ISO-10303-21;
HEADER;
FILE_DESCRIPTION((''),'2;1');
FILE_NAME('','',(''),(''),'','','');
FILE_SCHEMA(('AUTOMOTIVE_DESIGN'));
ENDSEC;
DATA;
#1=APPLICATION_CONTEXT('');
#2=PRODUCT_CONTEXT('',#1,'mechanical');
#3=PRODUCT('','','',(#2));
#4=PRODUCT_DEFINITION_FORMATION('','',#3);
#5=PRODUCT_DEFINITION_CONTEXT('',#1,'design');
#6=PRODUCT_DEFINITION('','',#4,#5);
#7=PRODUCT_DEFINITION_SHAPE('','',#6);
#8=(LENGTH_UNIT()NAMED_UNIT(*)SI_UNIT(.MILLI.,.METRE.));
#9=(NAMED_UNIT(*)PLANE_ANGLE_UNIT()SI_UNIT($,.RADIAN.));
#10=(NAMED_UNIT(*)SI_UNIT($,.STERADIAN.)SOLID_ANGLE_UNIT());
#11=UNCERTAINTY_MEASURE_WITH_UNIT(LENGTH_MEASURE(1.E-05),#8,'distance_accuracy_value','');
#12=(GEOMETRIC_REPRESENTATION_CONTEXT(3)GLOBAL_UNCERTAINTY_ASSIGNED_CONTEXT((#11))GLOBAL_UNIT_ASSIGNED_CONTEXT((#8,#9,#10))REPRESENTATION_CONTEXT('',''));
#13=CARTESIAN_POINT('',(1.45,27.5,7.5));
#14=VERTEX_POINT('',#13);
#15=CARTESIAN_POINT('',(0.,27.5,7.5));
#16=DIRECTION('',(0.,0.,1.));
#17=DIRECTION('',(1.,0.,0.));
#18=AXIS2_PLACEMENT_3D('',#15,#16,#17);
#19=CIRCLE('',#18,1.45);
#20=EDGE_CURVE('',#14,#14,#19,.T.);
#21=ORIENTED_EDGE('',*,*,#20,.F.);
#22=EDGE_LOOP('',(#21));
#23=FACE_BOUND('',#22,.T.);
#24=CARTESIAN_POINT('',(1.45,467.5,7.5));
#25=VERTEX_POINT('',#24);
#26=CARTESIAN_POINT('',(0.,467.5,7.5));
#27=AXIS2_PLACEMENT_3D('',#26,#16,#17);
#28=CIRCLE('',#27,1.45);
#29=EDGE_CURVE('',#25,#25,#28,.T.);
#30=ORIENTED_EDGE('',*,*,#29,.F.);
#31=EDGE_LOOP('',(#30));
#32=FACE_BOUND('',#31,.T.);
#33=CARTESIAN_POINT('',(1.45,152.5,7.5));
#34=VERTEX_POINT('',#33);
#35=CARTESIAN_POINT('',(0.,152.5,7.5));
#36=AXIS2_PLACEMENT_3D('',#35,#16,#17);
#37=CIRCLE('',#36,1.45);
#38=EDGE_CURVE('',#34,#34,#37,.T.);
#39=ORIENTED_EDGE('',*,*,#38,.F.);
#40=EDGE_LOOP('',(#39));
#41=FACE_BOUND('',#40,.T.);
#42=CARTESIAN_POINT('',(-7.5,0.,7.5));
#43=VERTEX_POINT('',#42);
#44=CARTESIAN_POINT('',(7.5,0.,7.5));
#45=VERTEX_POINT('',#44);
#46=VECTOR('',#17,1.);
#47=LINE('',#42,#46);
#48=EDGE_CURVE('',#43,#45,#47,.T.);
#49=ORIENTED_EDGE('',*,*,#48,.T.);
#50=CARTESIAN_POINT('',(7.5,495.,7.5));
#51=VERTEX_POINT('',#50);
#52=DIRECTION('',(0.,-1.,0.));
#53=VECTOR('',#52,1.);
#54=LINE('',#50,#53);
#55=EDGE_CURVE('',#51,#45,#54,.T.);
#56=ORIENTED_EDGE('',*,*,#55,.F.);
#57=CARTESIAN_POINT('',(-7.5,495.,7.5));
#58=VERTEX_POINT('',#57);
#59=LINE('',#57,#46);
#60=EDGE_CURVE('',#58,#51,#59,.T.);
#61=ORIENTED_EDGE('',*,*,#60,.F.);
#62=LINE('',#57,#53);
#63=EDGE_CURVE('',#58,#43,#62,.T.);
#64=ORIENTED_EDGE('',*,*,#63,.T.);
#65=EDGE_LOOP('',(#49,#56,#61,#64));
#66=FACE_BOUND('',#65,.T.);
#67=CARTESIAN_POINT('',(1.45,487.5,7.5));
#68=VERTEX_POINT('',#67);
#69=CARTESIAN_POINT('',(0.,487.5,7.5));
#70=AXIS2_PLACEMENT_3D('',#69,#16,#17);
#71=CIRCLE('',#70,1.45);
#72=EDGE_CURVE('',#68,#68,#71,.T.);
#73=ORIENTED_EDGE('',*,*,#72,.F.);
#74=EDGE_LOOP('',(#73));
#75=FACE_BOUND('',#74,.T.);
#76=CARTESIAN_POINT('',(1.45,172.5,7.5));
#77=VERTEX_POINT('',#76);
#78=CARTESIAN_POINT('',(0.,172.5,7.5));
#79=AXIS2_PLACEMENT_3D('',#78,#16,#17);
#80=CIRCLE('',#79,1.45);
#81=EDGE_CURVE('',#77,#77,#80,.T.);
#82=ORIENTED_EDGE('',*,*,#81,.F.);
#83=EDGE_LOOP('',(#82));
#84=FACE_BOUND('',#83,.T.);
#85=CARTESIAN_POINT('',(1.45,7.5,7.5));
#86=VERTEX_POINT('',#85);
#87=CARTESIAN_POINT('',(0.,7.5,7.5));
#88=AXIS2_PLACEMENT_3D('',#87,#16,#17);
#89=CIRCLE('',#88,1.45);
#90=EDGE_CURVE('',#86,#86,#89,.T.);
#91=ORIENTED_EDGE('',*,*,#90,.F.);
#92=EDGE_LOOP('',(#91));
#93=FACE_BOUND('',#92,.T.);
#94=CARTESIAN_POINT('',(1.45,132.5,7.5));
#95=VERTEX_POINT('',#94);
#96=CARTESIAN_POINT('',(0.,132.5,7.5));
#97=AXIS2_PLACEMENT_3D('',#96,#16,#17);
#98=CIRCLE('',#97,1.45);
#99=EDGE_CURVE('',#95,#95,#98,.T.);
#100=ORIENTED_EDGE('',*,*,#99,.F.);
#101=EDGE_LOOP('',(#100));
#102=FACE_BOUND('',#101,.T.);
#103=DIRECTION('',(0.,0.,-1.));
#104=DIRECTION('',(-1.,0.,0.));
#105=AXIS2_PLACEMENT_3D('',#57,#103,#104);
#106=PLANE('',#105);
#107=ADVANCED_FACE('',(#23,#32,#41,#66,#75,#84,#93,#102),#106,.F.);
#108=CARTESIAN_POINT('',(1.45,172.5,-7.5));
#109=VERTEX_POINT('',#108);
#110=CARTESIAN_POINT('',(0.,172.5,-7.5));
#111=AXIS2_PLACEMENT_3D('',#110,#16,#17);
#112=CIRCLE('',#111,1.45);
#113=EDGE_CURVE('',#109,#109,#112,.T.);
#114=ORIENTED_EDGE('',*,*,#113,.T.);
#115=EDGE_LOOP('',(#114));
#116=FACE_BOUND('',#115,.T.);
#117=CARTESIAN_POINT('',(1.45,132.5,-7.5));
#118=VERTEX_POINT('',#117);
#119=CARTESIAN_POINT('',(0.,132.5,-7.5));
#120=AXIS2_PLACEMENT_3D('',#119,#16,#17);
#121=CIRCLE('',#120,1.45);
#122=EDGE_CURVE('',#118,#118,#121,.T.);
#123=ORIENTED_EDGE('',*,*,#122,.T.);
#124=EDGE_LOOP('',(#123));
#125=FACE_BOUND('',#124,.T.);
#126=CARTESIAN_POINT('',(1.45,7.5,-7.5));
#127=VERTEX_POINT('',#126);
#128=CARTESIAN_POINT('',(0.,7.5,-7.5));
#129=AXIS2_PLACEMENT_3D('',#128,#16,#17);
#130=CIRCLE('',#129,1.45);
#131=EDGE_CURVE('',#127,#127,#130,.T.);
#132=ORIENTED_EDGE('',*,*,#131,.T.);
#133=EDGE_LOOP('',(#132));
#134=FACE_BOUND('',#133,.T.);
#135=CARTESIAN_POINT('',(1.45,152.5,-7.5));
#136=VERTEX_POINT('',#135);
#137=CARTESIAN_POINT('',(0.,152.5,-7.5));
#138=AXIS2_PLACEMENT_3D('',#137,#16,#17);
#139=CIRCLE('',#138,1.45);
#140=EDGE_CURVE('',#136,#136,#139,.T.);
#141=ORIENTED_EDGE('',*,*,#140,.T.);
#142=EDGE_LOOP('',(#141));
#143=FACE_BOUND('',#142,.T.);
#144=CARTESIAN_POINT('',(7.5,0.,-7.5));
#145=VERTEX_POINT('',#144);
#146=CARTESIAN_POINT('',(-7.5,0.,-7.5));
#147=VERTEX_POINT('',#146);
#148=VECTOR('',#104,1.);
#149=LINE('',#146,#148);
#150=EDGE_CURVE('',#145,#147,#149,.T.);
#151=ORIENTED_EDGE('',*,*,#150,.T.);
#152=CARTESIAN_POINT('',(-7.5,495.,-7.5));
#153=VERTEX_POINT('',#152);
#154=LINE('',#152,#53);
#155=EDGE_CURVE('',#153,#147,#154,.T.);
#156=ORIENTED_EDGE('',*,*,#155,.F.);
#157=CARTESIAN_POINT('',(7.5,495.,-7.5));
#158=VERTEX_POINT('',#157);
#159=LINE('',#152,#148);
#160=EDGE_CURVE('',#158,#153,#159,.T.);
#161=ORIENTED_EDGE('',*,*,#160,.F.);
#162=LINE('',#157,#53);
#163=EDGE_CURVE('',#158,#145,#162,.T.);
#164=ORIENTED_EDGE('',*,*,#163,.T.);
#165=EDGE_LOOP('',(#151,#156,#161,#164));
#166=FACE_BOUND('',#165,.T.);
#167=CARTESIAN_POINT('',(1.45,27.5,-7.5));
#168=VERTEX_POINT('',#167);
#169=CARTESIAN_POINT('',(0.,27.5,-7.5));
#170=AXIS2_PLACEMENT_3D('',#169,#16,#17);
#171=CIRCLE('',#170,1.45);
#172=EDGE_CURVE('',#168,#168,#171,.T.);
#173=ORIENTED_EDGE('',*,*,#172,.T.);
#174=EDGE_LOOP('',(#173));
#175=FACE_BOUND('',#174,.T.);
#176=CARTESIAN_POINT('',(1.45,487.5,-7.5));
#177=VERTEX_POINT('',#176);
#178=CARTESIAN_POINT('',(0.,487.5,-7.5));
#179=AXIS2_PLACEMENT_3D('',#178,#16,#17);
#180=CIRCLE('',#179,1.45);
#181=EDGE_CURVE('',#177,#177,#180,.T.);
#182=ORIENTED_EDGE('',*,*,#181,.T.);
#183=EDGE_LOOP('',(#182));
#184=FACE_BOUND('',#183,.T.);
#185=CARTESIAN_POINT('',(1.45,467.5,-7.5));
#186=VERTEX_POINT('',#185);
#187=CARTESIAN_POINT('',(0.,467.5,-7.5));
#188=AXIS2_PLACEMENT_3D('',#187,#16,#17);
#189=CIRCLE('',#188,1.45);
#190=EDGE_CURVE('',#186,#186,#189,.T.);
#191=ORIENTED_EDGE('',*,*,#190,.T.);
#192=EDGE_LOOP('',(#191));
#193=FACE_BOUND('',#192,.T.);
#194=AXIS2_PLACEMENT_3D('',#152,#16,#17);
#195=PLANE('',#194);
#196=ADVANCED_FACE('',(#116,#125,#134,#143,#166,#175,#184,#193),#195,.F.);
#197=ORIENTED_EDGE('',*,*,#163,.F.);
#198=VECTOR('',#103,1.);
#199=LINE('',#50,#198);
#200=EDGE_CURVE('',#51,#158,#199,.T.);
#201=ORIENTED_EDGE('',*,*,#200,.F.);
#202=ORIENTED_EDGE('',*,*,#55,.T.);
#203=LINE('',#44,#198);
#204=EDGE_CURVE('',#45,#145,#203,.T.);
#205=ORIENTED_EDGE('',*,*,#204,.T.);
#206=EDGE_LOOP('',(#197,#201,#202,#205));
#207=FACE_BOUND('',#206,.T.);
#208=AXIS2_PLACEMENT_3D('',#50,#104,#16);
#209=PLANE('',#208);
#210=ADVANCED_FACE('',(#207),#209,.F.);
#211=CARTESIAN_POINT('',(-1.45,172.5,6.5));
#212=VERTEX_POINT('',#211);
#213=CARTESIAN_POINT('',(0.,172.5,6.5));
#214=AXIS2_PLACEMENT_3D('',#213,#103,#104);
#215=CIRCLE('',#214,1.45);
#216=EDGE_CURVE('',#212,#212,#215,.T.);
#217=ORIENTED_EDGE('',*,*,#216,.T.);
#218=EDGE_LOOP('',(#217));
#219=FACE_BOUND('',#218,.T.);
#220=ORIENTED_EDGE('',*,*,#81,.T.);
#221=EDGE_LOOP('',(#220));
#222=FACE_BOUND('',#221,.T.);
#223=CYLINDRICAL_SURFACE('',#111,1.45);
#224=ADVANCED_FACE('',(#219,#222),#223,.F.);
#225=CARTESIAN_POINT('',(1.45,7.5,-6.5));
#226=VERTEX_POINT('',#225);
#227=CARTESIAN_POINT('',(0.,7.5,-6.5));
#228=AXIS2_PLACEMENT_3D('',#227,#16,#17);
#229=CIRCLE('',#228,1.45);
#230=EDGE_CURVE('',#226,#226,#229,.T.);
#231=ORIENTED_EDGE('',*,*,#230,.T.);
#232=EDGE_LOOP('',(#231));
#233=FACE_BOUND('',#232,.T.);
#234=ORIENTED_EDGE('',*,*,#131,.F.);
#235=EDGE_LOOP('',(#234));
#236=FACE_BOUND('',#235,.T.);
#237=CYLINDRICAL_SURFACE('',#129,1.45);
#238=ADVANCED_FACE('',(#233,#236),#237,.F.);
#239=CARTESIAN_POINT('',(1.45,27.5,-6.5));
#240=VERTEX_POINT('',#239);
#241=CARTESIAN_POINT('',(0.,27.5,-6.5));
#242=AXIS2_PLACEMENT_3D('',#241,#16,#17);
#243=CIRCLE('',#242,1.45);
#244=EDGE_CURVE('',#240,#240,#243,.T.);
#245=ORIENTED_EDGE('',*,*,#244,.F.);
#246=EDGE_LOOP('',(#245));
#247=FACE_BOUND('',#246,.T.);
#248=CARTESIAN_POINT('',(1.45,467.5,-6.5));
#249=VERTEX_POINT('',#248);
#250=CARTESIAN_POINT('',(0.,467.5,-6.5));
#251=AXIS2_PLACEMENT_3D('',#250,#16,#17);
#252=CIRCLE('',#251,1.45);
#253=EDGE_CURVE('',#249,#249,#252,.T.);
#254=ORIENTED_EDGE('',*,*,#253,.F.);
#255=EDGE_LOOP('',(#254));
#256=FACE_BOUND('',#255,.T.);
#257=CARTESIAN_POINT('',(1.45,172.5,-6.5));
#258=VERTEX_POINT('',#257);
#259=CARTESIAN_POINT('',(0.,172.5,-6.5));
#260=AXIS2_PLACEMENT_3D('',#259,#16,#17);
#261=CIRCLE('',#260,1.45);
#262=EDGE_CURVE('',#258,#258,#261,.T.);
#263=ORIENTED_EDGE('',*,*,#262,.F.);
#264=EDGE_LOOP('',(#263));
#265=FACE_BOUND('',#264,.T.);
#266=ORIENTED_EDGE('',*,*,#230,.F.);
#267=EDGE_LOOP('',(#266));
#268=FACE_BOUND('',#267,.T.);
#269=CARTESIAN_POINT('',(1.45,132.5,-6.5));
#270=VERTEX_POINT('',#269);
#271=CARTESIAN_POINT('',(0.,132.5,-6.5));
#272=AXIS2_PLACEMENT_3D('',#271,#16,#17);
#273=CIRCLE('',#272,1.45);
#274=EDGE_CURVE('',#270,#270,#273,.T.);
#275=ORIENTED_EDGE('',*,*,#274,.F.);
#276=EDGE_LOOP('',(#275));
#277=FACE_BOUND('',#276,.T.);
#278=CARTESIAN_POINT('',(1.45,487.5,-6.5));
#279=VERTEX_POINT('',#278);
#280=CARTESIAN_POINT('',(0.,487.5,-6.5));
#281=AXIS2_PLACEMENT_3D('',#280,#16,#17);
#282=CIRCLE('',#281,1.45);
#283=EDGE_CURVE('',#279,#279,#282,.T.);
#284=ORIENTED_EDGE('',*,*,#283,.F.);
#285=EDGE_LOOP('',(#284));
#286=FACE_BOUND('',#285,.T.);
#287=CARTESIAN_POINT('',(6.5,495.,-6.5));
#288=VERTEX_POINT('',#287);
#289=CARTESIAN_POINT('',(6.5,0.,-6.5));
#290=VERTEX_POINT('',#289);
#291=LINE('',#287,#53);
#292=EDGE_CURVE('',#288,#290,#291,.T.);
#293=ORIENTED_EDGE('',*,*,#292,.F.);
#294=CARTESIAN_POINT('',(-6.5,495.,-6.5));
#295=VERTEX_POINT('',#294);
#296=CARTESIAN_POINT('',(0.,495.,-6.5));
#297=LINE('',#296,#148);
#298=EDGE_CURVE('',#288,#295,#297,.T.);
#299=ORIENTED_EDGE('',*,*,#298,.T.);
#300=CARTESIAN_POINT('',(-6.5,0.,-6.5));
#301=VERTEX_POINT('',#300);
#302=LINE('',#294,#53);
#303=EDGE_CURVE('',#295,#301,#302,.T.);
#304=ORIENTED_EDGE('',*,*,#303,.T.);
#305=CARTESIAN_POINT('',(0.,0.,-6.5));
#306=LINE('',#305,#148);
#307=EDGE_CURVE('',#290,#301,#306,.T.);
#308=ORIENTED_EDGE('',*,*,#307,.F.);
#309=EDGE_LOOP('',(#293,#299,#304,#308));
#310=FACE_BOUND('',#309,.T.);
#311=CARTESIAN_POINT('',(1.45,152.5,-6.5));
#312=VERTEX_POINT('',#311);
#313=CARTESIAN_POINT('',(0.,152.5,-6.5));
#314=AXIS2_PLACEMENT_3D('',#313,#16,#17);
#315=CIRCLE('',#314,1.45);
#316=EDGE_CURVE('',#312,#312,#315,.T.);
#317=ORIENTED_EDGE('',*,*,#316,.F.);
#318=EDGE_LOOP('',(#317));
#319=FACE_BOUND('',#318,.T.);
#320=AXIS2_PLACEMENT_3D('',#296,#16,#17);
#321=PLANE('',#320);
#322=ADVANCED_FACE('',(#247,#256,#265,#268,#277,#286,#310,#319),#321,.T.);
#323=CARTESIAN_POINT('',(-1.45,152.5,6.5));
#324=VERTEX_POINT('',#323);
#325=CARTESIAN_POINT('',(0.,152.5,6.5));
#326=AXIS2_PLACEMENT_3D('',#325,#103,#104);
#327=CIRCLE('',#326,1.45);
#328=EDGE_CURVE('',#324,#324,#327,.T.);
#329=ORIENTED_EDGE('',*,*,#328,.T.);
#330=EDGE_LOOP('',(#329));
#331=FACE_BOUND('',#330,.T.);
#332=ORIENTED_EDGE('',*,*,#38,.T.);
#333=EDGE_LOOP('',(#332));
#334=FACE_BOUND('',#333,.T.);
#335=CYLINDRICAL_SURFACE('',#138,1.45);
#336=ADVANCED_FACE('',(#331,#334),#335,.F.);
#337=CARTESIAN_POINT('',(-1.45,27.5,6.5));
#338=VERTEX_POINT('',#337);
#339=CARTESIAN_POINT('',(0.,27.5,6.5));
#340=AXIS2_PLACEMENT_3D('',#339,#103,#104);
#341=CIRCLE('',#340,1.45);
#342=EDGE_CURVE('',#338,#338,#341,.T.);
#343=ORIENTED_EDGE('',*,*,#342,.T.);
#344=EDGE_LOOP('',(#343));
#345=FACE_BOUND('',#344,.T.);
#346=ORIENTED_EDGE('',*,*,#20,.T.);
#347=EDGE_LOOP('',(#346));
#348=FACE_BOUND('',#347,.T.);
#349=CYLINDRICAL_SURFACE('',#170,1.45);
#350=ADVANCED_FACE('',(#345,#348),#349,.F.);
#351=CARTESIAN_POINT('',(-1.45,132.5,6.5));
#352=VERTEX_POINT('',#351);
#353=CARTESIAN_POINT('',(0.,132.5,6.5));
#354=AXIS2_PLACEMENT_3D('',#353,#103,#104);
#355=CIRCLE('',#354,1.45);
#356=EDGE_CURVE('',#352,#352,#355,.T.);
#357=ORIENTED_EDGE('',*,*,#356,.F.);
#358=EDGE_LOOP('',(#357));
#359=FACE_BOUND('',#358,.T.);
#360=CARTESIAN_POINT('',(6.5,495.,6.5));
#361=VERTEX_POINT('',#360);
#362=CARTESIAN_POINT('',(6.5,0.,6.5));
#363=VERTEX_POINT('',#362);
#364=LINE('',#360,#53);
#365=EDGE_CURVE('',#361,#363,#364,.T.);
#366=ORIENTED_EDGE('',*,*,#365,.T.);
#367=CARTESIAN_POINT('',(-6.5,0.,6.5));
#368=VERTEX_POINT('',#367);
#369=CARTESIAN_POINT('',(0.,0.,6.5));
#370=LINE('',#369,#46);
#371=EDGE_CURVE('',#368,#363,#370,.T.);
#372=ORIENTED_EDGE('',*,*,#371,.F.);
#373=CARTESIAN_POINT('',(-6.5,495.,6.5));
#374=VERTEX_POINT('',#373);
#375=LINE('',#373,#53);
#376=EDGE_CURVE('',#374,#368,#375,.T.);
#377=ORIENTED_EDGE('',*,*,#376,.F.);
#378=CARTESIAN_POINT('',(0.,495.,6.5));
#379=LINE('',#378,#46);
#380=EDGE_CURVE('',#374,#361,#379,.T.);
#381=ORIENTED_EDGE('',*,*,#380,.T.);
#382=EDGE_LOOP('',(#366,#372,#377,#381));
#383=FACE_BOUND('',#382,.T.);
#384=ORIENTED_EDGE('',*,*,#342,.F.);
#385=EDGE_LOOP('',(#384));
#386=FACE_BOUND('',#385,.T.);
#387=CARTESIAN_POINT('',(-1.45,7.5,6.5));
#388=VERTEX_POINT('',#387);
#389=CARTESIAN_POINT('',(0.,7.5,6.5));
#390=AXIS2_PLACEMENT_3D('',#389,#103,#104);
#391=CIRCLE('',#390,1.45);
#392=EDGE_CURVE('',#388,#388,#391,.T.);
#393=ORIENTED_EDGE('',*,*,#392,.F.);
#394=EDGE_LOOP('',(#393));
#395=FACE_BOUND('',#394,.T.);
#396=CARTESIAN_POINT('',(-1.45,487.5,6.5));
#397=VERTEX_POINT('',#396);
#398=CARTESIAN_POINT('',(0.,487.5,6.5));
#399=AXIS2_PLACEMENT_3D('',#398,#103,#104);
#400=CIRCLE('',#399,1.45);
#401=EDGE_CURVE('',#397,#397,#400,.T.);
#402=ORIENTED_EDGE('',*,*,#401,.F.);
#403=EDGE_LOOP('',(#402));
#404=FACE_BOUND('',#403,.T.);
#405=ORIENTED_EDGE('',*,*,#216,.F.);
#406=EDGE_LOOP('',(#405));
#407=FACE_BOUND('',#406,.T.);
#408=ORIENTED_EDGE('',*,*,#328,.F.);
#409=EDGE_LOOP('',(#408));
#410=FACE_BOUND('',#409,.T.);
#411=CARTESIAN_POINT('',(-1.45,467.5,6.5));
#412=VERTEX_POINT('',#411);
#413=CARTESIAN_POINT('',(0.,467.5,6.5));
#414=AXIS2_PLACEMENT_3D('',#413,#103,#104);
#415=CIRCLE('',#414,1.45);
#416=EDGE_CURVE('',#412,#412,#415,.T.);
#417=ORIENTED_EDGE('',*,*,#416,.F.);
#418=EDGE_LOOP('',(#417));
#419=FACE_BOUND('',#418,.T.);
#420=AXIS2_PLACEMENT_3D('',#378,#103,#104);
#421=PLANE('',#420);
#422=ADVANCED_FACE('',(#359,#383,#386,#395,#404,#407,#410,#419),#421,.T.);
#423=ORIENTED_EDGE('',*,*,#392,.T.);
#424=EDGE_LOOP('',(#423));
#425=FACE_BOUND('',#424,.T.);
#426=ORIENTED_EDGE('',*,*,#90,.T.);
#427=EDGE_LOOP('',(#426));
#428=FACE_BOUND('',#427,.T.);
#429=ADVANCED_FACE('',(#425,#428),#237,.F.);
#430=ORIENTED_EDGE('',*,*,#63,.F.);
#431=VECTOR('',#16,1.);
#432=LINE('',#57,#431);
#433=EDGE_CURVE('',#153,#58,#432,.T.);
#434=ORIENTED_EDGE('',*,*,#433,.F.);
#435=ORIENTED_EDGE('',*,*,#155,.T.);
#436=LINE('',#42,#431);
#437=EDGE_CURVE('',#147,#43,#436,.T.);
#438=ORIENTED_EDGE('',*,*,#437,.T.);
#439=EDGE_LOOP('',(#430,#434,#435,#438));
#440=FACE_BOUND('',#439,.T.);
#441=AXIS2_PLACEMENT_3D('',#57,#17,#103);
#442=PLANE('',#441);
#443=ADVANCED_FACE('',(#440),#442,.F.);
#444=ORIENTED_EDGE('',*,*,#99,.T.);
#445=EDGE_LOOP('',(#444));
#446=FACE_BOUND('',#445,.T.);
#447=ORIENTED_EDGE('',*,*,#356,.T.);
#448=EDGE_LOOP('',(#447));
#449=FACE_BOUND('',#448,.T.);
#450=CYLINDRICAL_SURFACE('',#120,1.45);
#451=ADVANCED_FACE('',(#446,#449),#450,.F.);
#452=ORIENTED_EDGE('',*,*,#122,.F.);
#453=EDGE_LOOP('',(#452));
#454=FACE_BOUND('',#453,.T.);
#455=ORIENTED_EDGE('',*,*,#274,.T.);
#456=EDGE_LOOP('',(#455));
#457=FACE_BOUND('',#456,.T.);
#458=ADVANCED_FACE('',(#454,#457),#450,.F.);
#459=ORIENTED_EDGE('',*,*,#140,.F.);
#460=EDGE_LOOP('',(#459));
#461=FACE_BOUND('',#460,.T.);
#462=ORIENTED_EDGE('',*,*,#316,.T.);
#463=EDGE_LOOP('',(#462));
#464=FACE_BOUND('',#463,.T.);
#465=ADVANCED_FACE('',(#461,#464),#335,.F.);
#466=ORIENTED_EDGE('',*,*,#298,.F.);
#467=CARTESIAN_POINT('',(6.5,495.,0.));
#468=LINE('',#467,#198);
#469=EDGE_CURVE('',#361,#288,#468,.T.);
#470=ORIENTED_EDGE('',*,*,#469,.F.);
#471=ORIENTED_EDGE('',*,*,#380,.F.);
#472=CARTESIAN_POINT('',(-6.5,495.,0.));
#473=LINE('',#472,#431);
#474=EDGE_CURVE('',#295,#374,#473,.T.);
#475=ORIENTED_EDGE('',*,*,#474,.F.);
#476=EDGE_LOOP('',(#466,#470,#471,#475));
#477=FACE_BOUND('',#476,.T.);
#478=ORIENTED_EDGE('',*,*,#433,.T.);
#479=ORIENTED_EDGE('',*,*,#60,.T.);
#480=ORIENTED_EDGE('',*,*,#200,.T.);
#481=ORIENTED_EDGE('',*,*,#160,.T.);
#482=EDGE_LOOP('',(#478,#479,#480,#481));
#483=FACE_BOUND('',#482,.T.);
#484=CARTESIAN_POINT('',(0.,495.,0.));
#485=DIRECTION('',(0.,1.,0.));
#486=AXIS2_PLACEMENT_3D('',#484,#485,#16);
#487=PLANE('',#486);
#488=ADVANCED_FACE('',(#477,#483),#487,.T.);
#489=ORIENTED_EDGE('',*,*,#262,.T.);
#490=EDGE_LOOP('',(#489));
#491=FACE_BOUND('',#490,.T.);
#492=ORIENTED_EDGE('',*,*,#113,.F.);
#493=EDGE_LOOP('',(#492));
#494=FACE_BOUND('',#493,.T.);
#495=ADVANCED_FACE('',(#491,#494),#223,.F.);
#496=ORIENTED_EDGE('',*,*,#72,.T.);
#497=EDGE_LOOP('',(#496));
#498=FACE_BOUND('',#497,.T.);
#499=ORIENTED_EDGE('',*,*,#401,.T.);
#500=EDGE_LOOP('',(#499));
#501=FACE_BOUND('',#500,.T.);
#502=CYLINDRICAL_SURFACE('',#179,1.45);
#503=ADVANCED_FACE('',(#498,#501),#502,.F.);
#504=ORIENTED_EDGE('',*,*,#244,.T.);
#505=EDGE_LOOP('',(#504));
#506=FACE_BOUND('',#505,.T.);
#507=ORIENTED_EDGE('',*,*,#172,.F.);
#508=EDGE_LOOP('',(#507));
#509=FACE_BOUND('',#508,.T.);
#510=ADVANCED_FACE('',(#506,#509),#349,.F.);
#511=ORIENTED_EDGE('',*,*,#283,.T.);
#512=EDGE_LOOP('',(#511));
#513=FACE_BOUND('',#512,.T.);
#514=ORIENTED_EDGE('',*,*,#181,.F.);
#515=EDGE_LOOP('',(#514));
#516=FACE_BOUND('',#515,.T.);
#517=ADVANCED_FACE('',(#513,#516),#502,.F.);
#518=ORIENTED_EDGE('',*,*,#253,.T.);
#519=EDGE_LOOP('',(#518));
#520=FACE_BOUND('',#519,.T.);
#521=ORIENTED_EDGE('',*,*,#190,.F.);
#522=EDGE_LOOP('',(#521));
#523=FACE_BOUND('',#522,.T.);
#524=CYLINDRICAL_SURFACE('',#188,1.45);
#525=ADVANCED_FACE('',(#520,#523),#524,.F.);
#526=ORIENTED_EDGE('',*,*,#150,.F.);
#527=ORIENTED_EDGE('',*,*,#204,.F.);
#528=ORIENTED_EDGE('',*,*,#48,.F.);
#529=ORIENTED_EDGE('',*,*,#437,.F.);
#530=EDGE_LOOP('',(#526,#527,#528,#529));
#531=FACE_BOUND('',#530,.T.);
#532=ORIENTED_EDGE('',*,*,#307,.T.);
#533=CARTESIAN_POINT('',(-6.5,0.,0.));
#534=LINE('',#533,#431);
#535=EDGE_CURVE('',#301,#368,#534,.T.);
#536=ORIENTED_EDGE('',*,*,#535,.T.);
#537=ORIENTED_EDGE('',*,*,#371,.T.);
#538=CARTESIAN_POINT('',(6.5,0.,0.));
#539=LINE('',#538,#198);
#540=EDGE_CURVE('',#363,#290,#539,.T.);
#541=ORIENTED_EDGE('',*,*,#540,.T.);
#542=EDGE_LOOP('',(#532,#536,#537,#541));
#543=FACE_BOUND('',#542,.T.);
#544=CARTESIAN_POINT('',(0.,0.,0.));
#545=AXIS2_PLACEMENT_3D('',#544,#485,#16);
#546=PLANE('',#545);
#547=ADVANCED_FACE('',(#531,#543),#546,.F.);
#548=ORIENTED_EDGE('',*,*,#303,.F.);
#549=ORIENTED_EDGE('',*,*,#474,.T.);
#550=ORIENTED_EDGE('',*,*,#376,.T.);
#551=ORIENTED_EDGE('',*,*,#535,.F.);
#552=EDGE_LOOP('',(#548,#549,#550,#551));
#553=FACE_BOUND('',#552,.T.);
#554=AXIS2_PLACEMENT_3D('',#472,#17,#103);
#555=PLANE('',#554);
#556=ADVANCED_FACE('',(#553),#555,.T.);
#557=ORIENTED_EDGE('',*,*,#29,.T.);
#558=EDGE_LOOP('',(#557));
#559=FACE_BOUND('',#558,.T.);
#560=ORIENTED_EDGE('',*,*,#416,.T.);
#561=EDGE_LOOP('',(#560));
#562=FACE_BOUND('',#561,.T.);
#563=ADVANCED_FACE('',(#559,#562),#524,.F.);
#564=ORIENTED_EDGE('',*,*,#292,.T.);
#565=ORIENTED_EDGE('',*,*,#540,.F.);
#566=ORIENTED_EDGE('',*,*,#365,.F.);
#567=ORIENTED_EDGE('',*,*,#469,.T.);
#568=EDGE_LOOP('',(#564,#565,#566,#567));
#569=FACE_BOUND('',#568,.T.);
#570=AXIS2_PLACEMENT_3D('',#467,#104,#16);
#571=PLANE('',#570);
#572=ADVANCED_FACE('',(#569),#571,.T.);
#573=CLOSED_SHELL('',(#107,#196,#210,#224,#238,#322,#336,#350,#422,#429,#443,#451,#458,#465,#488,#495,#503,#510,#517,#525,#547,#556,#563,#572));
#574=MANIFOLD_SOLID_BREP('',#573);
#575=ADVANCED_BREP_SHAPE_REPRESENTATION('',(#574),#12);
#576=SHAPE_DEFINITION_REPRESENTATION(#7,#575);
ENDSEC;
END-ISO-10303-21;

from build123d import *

# Parameters (mm, degrees)
SKETCH_1_W          = 15
SKETCH_1_H          = 15
SKETCH_1_W_2        = 13
SKETCH_1_H_2        = 13
EXTRUDE_1_DEPTH     = 495
SKETCH_2_R          = 1.45
CUT_EXTRUDE_1_DEPTH = 496.284009433


with BuildPart() as part:
    # 草图1 → 拉伸-薄壁1 (new body)
    with BuildSketch(Plane(origin=(0, 0, 0), x_dir=(1, 0, 0), z_dir=(0, 1, 0))):
        Rectangle(SKETCH_1_W, SKETCH_1_H)
        Rectangle(SKETCH_1_W_2, SKETCH_1_H_2, mode=Mode.SUBTRACT)
    extrude(amount=EXTRUDE_1_DEPTH)

    # 草图2 → 切除-拉伸1 (cut, through all)
    with BuildSketch(Plane.XY.offset(7.5)):
        with Locations((0, 487.5)):
            Circle(SKETCH_2_R)
        with Locations((0, 467.5)):
            Circle(SKETCH_2_R)
        with Locations((0, 27.5)):
            Circle(SKETCH_2_R)
        with Locations((0, 7.5)):
            Circle(SKETCH_2_R)
        with Locations((0, 152.5)):
            Circle(SKETCH_2_R)
        with Locations((0, 172.5)):
            Circle(SKETCH_2_R)
        with Locations((0, 132.5)):
            Circle(SKETCH_2_R)
    extrude(amount=-CUT_EXTRUDE_1_DEPTH, mode=Mode.SUBTRACT)


solid = part.part
